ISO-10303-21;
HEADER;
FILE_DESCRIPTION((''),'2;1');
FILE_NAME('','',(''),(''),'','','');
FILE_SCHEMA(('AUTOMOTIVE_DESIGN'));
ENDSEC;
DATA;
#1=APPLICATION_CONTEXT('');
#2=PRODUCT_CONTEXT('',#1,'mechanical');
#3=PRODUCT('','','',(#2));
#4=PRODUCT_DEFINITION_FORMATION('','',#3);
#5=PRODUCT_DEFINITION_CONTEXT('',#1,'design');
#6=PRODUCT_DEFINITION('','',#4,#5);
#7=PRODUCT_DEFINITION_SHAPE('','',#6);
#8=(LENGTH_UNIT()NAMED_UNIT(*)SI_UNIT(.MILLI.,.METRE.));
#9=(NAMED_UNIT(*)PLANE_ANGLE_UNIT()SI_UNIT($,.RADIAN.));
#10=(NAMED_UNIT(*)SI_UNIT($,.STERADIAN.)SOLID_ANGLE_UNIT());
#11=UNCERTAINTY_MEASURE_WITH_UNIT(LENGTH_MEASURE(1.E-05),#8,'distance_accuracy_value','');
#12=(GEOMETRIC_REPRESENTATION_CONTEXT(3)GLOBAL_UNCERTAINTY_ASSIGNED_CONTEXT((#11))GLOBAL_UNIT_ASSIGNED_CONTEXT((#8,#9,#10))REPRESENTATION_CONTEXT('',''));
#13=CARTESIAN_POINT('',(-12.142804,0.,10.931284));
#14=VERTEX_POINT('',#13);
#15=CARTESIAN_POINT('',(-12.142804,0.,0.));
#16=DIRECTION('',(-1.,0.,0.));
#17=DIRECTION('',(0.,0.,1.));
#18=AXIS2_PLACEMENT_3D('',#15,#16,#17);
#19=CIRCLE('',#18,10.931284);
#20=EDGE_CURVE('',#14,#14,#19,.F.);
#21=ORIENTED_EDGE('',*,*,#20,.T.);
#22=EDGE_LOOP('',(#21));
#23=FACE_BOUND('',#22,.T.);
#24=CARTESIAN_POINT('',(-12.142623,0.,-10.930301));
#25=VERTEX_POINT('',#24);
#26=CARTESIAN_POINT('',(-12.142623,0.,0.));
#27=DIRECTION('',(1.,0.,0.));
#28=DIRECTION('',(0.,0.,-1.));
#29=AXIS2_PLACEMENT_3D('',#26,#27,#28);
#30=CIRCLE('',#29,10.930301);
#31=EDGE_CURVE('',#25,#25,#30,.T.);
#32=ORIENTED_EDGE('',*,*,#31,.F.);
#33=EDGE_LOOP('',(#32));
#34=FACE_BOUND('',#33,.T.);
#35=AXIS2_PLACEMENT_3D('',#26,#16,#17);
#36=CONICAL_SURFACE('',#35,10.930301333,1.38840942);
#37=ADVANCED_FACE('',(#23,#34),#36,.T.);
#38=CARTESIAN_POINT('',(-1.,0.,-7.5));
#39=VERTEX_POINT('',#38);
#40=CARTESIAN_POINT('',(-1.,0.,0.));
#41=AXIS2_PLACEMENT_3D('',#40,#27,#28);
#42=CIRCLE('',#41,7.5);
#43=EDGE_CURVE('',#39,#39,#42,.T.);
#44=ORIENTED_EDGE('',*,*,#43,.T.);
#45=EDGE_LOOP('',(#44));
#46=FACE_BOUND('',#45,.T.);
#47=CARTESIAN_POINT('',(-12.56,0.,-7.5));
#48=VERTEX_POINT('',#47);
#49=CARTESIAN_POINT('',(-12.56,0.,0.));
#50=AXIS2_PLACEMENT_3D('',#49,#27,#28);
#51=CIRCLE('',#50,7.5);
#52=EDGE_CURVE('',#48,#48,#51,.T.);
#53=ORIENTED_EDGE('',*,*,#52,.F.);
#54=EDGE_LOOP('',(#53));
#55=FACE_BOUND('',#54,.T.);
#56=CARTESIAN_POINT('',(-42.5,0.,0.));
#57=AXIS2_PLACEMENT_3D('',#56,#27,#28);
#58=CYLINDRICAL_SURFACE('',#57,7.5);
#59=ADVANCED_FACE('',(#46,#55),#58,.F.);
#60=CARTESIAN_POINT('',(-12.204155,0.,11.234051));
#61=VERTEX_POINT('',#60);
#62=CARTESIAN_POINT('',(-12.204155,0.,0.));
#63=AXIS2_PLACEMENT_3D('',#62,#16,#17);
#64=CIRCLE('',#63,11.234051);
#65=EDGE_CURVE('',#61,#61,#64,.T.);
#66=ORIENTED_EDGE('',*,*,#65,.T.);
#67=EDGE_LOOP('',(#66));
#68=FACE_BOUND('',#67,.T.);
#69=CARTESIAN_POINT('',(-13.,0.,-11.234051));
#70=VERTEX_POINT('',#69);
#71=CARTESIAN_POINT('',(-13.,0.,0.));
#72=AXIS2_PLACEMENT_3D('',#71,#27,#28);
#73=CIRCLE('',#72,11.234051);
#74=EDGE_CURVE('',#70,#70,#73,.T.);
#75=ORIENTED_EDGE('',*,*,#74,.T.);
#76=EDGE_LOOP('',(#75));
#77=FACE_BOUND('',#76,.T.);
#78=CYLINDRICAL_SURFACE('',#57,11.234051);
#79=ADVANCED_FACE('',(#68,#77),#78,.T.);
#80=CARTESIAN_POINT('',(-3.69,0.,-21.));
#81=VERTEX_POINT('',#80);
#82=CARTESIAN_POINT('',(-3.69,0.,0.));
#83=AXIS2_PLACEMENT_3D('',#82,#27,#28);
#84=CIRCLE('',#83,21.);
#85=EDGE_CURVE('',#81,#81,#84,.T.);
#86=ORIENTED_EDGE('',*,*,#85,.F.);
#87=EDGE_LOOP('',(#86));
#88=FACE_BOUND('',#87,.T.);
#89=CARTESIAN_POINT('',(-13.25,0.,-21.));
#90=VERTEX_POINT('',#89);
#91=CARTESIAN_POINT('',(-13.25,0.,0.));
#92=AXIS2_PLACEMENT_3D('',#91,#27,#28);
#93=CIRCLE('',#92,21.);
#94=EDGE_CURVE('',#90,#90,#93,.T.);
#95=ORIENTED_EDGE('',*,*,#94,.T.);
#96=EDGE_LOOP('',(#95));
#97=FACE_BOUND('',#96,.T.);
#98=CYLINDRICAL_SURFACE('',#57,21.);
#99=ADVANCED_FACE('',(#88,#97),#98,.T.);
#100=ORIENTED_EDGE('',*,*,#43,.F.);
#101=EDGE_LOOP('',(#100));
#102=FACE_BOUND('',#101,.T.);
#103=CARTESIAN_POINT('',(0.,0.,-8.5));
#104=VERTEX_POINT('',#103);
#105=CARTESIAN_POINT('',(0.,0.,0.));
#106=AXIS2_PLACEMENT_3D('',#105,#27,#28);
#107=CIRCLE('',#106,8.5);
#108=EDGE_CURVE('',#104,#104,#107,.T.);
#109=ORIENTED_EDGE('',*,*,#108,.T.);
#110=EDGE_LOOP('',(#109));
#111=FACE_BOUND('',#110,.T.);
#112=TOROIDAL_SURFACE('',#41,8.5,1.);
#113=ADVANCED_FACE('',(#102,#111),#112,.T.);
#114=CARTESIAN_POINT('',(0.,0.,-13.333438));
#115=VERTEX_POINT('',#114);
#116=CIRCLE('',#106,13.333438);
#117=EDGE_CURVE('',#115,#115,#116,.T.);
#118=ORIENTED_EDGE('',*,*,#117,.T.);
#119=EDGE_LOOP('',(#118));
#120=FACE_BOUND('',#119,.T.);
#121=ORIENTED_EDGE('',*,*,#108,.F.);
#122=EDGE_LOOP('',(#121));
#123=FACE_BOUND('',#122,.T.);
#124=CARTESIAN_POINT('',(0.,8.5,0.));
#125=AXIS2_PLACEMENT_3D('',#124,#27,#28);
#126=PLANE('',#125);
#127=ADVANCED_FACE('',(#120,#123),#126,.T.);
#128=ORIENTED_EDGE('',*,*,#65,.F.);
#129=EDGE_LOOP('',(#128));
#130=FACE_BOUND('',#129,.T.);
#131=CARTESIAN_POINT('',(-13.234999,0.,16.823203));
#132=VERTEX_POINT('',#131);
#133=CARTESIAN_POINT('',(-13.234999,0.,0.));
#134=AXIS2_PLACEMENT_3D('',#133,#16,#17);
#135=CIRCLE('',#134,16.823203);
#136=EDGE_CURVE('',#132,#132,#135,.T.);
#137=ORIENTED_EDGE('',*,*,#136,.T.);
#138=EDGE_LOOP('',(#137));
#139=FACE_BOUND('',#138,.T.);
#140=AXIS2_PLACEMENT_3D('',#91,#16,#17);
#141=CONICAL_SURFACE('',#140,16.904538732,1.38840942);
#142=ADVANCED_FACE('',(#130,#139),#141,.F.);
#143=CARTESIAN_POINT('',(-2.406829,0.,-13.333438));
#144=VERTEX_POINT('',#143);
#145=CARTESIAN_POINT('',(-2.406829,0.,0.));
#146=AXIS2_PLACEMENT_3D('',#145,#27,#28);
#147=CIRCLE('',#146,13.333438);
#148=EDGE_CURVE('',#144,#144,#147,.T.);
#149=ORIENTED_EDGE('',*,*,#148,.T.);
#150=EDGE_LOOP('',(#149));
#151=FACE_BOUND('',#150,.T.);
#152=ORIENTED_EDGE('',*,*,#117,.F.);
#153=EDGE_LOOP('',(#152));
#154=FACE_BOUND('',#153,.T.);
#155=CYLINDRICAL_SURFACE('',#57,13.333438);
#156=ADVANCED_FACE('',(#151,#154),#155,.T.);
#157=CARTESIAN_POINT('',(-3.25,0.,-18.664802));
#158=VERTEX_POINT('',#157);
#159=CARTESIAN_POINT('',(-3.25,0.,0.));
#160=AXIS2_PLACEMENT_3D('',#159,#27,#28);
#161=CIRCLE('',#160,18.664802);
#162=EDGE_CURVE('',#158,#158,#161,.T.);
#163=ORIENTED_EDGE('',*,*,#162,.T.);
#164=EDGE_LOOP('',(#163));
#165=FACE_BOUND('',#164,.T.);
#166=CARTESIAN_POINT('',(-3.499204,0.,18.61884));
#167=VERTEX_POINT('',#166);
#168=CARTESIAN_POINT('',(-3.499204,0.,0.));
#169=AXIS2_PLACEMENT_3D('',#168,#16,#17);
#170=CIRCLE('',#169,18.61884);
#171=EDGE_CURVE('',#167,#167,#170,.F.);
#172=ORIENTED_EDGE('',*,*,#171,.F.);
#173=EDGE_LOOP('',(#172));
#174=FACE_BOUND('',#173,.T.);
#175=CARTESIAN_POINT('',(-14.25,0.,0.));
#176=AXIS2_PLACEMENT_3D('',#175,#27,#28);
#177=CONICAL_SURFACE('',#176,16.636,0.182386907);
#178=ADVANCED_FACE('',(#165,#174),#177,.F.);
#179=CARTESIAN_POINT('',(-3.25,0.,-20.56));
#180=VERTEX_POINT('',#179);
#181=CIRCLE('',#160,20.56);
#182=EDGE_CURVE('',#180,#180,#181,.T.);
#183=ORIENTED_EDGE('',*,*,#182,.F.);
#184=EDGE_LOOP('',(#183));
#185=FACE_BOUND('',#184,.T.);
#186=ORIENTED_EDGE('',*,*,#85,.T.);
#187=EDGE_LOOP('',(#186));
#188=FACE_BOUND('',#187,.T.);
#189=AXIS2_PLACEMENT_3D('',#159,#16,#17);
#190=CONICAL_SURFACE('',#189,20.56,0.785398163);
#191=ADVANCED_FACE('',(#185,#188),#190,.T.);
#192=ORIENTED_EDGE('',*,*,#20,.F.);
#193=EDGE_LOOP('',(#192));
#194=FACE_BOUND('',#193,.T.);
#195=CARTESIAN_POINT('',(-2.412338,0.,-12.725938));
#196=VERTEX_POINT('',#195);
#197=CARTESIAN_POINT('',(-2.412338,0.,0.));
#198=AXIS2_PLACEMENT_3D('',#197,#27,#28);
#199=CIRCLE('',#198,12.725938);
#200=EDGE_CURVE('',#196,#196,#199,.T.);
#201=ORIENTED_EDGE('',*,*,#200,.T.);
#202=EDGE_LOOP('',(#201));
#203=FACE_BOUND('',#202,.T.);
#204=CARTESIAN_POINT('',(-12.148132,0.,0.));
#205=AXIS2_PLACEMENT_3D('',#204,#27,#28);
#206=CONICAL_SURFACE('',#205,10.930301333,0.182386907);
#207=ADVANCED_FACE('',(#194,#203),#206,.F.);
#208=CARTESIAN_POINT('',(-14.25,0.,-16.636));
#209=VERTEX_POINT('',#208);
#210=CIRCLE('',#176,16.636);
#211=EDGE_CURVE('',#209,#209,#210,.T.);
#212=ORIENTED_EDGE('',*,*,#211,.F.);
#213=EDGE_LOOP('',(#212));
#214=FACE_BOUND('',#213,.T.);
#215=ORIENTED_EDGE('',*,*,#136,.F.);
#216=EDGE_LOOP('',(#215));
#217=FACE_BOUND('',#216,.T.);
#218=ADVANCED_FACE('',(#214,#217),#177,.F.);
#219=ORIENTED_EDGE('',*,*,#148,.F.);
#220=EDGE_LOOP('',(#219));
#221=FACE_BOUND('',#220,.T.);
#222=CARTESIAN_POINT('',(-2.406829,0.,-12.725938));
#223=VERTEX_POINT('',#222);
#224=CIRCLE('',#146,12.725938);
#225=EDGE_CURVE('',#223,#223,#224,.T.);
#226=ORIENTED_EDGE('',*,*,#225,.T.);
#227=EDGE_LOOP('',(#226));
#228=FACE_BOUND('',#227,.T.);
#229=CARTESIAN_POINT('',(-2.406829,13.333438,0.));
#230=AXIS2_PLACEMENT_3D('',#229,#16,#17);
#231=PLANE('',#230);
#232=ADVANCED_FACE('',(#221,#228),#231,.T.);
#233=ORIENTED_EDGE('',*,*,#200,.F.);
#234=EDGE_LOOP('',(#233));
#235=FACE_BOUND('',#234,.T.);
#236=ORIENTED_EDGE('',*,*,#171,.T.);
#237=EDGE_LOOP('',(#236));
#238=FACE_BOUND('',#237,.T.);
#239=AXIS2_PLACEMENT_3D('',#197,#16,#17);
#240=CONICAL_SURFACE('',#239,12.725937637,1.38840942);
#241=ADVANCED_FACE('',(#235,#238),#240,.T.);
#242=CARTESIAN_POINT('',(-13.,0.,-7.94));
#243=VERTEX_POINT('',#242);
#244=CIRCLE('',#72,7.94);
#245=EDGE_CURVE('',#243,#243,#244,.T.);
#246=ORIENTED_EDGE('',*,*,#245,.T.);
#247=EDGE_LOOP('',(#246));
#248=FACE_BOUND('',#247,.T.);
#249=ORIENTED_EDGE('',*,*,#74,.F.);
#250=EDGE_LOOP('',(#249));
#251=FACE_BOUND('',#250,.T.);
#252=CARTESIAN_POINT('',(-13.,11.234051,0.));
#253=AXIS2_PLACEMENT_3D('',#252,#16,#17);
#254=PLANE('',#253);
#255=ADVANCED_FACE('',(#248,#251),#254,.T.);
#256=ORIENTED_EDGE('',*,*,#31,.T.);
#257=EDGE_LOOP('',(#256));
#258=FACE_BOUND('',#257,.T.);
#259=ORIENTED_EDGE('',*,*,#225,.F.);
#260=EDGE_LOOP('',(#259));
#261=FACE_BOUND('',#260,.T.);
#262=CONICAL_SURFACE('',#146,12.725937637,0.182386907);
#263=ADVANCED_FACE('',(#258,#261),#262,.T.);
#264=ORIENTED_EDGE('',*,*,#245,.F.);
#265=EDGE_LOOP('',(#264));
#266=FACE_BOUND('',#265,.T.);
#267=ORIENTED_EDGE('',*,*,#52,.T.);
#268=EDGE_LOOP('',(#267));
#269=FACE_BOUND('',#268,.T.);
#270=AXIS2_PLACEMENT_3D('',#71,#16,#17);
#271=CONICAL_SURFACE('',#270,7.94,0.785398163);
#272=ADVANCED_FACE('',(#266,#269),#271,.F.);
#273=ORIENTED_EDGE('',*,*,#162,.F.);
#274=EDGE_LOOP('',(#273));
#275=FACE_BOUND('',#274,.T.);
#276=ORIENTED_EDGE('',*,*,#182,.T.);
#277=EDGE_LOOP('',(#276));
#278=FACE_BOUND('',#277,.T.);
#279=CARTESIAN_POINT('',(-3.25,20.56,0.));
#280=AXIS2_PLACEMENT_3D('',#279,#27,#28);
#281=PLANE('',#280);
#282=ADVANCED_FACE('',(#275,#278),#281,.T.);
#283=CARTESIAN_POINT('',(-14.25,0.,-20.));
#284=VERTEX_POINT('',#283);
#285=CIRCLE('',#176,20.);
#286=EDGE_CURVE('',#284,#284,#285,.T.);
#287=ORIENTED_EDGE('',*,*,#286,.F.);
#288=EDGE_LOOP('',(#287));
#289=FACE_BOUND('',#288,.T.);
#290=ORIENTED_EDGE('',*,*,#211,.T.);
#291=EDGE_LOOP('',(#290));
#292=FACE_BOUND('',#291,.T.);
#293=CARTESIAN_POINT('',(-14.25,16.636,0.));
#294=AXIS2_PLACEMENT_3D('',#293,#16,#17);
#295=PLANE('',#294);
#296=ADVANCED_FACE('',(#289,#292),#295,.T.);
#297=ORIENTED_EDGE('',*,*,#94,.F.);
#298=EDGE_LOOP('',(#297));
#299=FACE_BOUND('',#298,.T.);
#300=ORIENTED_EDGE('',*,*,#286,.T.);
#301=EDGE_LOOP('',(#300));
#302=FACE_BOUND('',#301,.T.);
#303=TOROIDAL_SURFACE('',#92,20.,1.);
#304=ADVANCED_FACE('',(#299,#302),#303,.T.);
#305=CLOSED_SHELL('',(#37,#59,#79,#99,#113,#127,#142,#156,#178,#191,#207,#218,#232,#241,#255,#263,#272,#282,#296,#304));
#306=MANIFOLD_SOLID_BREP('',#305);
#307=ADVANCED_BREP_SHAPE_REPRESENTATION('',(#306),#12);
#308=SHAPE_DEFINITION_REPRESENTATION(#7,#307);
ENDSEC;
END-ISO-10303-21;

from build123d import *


with BuildPart() as part:
    # OutRacSke → OuterRace (revolve)
    with BuildSketch(Plane.XY):
        with BuildLine():
            Line((-3.25, 18.664802045), (-14.25, 16.636))
            Line((-14.25, 16.636), (-14.25, 20))
            ThreePointArc((-14.25, 20), (-13.957106781, 20.707106781), (-13.25, 21))
            Line((-13.25, 21), (-3.69, 21))
            Line((-3.69, 21), (-3.25, 20.56))
            Line((-3.25, 20.56), (-3.25, 18.664802045))
        make_face()
    revolve(axis=Axis((-42.5, 0, 0), (1, 0, 0)))

    # RolSimSke → RollersSimplified (revolve)
    with BuildSketch(Plane.XY):
        Polygon((-13.25, 16.904538732), (-3.51420572, 18.700175036), (-2.412337988, 12.725937637), (-12.148132268, 10.930301333), align=None)
    revolve(axis=Axis((0, 0, 0), (-1, 0, 0)))

    # InsRacSke → InnerRace (revolve)
    with BuildSketch(Plane.XY):
        with BuildLine():
            Line((-12.198645533, 11.234051333), (-13, 11.234051333))
            Line((-13, 11.234051333), (-13, 7.94))
            Line((-13, 7.94), (-12.56, 7.5))
            Line((-12.56, 7.5), (-1, 7.5))
            ThreePointArc((-1, 7.5), (-0.292893219, 7.792893219), (0, 8.5))
            Line((0, 8.5), (0, 13.333437637))
            Line((0, 13.333437637), (-2.406828651, 13.333437637))
            Line((-2.406828651, 13.333437637), (-2.406828651, 12.725937637))
            Line((-2.406828651, 12.725937637), (-12.142622931, 10.930301333))
            Line((-12.142622931, 10.930301333), (-12.198645533, 11.234051333))
        make_face()
    revolve(axis=Axis((-42.5, 0, 0), (1, 0, 0)))


solid = part.part
